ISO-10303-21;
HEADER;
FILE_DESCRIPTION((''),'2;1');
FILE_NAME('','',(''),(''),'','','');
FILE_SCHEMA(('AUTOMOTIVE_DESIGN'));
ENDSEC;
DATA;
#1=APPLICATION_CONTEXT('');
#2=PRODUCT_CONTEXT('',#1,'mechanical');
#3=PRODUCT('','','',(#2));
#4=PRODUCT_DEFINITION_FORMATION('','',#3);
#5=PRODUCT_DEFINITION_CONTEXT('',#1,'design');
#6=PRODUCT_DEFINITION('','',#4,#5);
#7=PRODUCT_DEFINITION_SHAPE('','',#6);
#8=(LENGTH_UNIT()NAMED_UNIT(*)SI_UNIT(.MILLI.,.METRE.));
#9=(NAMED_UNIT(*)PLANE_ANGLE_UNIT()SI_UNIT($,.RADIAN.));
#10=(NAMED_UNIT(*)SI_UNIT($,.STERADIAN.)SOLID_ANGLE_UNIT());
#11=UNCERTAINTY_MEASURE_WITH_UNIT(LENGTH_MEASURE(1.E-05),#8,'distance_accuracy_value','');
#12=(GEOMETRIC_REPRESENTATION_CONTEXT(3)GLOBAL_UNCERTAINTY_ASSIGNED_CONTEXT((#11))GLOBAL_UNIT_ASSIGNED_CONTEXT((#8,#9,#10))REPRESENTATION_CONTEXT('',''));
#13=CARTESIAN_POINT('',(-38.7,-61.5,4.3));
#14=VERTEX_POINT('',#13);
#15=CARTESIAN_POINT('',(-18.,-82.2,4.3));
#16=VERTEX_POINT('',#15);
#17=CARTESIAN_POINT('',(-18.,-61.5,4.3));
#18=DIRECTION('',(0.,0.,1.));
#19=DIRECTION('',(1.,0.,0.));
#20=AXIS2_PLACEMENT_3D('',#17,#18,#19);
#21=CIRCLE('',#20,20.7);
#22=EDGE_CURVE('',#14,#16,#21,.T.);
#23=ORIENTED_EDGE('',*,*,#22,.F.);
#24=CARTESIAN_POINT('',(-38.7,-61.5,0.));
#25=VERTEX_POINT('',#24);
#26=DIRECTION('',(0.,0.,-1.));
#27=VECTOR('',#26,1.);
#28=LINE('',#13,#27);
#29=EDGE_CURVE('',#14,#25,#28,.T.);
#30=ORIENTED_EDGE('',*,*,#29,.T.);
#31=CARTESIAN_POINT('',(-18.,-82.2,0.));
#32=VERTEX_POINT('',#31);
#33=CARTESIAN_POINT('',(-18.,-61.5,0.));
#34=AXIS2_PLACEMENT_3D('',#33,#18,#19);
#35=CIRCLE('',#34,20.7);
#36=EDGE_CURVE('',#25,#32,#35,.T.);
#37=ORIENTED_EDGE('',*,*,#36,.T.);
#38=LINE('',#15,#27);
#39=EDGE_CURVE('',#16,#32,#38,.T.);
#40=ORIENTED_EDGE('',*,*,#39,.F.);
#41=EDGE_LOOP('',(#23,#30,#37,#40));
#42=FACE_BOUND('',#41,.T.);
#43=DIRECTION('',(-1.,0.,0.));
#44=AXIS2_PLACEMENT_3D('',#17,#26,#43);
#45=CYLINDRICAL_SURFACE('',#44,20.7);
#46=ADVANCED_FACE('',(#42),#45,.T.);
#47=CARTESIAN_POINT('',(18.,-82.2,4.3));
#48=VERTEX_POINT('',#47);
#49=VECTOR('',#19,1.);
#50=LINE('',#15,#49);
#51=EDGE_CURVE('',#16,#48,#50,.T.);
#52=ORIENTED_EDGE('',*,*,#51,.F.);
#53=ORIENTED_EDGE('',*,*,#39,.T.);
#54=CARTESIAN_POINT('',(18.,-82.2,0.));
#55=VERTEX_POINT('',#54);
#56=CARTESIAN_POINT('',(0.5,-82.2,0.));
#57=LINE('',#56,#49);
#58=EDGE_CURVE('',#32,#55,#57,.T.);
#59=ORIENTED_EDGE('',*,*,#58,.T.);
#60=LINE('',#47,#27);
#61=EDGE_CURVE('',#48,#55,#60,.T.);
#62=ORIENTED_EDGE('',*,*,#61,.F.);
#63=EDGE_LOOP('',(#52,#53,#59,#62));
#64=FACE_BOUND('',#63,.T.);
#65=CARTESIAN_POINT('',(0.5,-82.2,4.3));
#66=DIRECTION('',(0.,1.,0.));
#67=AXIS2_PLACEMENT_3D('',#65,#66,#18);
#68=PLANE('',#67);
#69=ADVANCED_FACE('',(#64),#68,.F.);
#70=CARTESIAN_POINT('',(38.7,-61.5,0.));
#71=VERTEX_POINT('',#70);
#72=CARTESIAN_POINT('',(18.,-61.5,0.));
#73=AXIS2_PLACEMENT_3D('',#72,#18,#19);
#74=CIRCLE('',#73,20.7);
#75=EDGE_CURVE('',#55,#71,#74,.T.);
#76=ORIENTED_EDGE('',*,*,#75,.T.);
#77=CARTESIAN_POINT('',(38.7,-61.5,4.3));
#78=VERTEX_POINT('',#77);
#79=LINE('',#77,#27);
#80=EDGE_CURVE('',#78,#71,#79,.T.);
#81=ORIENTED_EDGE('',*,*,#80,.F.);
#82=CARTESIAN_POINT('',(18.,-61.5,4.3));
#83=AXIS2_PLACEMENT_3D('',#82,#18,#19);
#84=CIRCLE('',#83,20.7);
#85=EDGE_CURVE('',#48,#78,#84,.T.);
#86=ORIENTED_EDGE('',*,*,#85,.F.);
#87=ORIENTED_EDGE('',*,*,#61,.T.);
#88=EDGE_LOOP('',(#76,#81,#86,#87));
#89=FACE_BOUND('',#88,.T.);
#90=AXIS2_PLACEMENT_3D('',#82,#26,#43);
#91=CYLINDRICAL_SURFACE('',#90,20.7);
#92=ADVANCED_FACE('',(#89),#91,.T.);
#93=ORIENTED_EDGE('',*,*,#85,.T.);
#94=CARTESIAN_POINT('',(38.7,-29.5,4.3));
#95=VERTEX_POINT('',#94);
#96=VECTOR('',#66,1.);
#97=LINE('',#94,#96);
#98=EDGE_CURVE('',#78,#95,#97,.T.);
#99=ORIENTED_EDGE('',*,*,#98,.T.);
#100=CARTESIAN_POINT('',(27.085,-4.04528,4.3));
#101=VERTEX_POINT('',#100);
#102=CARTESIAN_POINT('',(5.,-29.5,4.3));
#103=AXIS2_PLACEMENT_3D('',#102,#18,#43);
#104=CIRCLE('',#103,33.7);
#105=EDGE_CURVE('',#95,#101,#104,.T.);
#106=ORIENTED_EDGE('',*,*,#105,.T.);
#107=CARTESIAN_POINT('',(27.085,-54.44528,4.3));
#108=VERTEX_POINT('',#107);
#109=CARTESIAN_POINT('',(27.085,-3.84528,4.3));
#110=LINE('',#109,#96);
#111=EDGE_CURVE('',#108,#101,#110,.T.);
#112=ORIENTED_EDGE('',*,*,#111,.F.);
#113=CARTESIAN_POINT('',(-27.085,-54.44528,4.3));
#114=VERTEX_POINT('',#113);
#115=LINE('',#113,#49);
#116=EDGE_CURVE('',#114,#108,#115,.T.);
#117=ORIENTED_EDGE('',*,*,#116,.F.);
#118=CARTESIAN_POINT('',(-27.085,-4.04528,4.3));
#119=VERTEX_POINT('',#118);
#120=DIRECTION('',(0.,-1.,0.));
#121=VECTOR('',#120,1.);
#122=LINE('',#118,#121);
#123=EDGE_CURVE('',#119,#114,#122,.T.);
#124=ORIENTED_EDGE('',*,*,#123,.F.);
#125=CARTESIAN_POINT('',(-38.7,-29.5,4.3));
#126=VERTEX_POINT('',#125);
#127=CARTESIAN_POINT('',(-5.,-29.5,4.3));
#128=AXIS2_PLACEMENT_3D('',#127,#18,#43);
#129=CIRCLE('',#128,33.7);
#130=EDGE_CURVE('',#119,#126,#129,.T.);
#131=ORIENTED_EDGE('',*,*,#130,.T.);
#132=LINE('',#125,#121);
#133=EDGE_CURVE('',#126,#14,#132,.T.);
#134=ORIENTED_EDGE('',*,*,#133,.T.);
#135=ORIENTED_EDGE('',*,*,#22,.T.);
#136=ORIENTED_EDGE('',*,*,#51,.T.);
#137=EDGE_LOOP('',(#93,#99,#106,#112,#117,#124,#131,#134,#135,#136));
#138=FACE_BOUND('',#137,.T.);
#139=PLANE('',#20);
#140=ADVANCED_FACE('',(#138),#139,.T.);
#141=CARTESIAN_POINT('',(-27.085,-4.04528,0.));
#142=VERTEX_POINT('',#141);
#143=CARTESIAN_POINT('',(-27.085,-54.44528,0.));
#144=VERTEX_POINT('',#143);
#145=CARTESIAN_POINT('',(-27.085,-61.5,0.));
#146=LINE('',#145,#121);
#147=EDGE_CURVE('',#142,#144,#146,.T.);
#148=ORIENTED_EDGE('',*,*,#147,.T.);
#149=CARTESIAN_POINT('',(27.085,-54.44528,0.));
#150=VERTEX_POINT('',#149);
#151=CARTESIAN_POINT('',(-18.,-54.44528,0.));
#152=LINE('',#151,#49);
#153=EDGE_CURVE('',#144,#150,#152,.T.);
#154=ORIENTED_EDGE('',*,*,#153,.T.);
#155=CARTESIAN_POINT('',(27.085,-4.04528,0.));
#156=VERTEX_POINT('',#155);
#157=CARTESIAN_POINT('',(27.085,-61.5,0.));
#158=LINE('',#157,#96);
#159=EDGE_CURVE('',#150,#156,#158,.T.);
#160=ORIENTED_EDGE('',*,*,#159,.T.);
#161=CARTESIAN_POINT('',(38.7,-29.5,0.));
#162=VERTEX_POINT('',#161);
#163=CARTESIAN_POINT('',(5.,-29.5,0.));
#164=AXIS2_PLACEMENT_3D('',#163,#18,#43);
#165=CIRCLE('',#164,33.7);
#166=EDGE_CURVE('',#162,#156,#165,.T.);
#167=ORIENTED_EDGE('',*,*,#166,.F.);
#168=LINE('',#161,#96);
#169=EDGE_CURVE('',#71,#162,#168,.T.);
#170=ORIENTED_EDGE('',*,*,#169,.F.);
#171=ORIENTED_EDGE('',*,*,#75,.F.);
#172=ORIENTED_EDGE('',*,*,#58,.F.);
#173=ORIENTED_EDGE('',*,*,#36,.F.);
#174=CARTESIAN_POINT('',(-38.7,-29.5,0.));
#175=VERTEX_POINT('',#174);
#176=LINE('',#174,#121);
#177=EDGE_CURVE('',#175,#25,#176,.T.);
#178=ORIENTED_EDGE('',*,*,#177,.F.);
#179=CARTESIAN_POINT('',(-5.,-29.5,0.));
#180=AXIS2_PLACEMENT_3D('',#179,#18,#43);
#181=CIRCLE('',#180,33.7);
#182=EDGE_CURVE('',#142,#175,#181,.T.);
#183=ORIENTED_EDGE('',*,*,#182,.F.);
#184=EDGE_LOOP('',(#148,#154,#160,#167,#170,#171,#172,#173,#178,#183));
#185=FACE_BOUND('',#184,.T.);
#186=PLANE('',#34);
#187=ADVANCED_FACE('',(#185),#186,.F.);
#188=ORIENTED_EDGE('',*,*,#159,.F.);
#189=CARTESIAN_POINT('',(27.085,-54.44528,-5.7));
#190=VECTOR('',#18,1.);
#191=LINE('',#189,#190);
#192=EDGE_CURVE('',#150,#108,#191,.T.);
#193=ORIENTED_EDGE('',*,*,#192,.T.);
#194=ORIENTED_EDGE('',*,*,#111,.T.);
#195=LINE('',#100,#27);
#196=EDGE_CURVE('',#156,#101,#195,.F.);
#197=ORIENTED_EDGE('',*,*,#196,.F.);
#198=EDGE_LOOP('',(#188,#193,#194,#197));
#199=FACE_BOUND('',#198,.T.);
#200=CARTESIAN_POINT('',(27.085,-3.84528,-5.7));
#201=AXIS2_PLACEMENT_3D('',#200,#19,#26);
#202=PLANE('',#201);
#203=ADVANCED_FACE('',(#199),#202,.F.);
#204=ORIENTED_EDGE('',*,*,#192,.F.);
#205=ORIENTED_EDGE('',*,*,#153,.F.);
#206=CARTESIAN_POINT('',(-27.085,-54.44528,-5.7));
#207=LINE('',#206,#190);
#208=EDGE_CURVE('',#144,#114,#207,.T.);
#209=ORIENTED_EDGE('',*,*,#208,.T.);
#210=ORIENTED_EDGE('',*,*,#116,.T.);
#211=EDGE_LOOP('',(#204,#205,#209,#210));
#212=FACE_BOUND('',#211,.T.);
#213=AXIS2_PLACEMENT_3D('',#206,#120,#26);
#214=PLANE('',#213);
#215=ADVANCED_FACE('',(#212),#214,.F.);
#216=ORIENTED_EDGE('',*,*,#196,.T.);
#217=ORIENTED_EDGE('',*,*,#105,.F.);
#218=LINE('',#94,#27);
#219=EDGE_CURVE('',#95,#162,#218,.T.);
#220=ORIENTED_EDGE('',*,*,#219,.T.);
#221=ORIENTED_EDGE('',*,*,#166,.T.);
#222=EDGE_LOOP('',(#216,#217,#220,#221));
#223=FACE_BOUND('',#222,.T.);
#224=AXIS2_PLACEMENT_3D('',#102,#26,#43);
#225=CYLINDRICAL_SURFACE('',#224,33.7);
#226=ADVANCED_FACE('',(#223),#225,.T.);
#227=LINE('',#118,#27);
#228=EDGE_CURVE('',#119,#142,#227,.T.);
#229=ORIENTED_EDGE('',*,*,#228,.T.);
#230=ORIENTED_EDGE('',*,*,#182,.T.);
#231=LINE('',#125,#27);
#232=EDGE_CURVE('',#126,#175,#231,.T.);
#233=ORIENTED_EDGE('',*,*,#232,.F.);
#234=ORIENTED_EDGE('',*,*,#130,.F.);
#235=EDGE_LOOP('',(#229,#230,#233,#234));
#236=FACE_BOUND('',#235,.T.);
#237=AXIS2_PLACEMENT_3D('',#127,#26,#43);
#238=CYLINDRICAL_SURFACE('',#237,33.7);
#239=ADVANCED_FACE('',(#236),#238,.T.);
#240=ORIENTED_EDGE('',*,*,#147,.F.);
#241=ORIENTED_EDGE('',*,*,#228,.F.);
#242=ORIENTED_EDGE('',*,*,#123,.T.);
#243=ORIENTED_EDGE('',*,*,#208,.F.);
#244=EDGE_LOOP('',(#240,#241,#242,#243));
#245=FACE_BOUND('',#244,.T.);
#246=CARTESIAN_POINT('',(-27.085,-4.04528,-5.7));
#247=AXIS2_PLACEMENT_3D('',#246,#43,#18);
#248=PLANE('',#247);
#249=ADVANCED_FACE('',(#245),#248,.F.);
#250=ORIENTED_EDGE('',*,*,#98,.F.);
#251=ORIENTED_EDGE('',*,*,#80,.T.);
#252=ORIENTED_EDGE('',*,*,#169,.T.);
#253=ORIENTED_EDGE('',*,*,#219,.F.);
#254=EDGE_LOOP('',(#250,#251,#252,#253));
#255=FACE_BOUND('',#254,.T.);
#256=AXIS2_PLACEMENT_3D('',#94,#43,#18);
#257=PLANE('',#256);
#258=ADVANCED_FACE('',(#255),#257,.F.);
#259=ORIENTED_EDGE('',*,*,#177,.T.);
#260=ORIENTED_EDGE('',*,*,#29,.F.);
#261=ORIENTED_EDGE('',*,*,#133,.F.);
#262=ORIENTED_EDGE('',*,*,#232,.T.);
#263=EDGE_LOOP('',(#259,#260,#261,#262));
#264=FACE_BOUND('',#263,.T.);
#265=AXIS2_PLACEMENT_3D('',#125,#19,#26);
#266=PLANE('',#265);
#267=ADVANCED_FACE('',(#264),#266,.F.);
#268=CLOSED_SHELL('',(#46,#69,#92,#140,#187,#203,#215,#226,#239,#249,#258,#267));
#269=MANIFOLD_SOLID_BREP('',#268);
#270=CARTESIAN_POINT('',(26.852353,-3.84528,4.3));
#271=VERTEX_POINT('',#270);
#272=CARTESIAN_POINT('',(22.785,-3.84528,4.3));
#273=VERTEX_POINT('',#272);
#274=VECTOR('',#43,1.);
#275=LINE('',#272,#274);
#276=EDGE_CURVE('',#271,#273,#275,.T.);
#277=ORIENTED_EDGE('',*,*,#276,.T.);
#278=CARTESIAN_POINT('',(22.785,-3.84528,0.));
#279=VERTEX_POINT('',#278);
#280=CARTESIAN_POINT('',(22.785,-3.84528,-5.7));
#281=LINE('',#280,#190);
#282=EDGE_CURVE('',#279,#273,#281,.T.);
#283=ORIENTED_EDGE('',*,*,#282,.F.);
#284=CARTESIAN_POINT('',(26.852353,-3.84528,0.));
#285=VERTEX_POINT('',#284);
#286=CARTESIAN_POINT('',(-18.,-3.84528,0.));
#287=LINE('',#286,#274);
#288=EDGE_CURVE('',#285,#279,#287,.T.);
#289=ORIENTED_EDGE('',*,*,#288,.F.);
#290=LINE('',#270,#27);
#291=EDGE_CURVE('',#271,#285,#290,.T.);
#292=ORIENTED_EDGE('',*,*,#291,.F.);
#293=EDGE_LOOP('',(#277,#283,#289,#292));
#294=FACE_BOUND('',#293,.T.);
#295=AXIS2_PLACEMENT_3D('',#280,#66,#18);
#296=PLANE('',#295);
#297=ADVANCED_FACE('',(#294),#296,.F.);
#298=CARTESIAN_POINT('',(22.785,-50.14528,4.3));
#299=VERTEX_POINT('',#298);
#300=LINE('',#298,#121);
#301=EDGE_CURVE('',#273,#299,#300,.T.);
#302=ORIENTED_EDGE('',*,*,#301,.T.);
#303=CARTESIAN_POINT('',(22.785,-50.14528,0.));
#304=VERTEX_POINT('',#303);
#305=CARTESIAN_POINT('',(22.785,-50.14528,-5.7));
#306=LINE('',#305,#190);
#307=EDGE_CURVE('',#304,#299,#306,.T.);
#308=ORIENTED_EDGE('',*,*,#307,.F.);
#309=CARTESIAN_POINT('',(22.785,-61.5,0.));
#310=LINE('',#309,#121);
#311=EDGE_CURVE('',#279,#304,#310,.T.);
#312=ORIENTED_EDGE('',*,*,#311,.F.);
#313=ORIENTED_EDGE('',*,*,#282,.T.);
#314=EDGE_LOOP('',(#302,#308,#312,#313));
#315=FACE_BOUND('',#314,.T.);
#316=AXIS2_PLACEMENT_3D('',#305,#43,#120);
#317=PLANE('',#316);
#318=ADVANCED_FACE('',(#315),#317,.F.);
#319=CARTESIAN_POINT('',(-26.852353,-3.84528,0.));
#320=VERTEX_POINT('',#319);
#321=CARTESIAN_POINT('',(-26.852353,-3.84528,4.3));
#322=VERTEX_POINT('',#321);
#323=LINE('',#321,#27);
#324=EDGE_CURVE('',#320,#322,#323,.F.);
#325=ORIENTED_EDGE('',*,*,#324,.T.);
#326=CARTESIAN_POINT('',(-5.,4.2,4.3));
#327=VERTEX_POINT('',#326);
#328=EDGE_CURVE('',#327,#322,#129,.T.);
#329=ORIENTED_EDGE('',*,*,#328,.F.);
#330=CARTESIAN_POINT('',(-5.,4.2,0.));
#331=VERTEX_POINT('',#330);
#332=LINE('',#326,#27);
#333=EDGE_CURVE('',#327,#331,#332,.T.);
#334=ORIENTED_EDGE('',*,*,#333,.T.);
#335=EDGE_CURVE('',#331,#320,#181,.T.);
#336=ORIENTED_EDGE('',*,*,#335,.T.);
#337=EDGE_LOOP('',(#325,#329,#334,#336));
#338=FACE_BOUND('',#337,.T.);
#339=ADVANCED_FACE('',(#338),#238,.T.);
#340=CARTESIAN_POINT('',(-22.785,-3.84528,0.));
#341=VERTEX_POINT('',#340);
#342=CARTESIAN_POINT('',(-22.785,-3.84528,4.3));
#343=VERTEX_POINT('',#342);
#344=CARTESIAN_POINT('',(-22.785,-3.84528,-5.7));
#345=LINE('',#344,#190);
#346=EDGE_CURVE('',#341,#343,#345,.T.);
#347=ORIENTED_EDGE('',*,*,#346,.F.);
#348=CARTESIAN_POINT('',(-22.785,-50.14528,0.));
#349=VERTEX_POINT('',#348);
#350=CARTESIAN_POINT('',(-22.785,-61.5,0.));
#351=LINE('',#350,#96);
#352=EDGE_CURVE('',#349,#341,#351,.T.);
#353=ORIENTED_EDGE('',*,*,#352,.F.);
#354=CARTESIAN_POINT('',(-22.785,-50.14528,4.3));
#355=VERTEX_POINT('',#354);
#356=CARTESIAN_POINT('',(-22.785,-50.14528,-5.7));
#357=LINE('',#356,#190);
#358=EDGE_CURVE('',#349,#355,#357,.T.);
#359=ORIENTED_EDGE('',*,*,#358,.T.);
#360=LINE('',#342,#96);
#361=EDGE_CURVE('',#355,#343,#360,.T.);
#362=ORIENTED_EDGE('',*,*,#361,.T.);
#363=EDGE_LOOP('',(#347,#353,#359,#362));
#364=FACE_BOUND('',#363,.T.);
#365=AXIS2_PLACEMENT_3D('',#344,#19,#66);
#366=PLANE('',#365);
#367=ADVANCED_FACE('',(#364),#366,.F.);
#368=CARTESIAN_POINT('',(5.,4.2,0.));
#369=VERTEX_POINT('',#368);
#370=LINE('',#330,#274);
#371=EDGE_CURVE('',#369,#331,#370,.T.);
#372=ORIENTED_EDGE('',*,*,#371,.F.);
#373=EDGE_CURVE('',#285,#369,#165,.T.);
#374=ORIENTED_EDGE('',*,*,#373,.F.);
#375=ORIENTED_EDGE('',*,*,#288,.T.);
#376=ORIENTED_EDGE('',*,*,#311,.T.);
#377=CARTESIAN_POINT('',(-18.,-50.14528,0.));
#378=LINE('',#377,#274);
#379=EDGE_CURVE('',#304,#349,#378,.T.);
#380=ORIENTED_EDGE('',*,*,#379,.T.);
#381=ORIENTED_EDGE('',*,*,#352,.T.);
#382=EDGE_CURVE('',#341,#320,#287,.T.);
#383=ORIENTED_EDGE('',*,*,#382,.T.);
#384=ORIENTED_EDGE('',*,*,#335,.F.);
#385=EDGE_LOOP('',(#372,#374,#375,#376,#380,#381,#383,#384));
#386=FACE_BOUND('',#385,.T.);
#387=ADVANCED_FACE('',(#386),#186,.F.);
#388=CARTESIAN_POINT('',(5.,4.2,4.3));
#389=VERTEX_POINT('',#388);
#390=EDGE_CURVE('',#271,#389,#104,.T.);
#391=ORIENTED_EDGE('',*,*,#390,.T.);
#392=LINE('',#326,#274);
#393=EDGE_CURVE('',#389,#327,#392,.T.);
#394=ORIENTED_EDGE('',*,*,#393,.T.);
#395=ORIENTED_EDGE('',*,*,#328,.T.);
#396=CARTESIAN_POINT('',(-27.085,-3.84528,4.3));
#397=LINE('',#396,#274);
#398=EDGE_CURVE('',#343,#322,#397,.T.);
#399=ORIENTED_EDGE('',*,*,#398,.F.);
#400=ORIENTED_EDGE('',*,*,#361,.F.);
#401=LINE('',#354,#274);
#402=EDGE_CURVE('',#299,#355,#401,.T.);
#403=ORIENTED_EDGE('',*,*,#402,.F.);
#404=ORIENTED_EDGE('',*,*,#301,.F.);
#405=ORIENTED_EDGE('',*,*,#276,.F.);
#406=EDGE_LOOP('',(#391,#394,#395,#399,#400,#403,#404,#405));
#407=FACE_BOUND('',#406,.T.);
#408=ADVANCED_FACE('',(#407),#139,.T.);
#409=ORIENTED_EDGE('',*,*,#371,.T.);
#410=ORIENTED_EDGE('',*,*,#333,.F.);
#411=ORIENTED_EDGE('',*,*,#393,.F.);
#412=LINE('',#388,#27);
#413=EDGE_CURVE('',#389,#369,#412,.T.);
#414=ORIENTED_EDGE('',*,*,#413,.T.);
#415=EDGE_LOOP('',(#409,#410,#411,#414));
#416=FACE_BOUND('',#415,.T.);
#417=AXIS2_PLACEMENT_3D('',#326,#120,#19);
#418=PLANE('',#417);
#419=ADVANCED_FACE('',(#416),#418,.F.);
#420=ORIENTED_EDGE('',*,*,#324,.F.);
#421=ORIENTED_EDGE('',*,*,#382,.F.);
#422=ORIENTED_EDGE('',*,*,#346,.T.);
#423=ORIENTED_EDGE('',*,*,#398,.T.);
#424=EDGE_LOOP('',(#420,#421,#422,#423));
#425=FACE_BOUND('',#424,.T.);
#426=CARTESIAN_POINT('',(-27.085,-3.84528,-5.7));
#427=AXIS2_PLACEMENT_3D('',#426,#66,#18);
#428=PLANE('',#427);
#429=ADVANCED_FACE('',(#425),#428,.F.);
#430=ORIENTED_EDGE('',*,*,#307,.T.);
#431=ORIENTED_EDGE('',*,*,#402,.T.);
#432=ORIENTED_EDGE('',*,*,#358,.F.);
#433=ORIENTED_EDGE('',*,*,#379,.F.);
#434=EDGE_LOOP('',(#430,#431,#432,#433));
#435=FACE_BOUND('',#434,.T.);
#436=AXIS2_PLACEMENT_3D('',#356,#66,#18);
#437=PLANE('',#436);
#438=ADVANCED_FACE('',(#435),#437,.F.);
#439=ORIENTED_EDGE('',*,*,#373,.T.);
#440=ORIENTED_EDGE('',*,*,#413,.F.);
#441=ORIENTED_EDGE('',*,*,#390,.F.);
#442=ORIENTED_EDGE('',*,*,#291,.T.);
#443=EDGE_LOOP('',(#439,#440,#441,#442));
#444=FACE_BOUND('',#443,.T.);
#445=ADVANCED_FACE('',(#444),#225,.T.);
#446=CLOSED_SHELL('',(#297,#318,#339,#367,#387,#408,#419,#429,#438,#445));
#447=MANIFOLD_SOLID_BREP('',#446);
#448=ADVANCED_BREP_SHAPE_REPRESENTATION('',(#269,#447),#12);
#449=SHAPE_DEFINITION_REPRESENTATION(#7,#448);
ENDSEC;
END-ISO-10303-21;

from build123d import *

# Parameters (mm, degrees)
BOSS_EXTRUDE1_DEPTH = 4.3
CUT_EXTRUDE1_DEPTH  = 10


with BuildPart() as part:
    # Sketch1 → Boss-Extrude1 (new body)
    with BuildSketch(Plane.XY):
        with BuildLine():
            Line((-18, -82.2), (-0.5, -82.2))
            Line((-0.5, -82.2), (0.5, -82.2))
            Line((0.5, -82.2), (18, -82.2))
            ThreePointArc((18, -82.2), (32.637110371, -76.137110371), (38.7, -61.5))
            Line((38.7, -61.5), (38.7, -29.5))
            ThreePointArc((38.7, -29.5), (28.829498526, -5.670501474), (5, 4.2))
            Line((5, 4.2), (-5, 4.2))
            ThreePointArc((-5, 4.2), (-28.829498526, -5.670501474), (-38.7, -29.5))
            Line((-38.7, -29.5), (-38.7, -61.5))
            ThreePointArc((-38.7, -61.5), (-32.637110371, -76.137110371), (-18, -82.2))
        make_face()
    extrude(amount=BOSS_EXTRUDE1_DEPTH)

    # Sketch2 → Cut-Extrude1 (cut)
    with BuildSketch(Plane.XY.offset(4.3)):
        Polygon((-27.085, -4.045279907), (-27.085, -3.845279907), (-22.785, -3.845279907), (-22.785, -50.145279907), (22.785, -50.145279907), (22.785, -3.845279907), (27.085, -3.845279907), (27.085, -4.045279907), (27.085, -54.445279907), (-27.085, -54.445279907), align=None)
    extrude(amount=-CUT_EXTRUDE1_DEPTH, mode=Mode.SUBTRACT)


solid = part.part
